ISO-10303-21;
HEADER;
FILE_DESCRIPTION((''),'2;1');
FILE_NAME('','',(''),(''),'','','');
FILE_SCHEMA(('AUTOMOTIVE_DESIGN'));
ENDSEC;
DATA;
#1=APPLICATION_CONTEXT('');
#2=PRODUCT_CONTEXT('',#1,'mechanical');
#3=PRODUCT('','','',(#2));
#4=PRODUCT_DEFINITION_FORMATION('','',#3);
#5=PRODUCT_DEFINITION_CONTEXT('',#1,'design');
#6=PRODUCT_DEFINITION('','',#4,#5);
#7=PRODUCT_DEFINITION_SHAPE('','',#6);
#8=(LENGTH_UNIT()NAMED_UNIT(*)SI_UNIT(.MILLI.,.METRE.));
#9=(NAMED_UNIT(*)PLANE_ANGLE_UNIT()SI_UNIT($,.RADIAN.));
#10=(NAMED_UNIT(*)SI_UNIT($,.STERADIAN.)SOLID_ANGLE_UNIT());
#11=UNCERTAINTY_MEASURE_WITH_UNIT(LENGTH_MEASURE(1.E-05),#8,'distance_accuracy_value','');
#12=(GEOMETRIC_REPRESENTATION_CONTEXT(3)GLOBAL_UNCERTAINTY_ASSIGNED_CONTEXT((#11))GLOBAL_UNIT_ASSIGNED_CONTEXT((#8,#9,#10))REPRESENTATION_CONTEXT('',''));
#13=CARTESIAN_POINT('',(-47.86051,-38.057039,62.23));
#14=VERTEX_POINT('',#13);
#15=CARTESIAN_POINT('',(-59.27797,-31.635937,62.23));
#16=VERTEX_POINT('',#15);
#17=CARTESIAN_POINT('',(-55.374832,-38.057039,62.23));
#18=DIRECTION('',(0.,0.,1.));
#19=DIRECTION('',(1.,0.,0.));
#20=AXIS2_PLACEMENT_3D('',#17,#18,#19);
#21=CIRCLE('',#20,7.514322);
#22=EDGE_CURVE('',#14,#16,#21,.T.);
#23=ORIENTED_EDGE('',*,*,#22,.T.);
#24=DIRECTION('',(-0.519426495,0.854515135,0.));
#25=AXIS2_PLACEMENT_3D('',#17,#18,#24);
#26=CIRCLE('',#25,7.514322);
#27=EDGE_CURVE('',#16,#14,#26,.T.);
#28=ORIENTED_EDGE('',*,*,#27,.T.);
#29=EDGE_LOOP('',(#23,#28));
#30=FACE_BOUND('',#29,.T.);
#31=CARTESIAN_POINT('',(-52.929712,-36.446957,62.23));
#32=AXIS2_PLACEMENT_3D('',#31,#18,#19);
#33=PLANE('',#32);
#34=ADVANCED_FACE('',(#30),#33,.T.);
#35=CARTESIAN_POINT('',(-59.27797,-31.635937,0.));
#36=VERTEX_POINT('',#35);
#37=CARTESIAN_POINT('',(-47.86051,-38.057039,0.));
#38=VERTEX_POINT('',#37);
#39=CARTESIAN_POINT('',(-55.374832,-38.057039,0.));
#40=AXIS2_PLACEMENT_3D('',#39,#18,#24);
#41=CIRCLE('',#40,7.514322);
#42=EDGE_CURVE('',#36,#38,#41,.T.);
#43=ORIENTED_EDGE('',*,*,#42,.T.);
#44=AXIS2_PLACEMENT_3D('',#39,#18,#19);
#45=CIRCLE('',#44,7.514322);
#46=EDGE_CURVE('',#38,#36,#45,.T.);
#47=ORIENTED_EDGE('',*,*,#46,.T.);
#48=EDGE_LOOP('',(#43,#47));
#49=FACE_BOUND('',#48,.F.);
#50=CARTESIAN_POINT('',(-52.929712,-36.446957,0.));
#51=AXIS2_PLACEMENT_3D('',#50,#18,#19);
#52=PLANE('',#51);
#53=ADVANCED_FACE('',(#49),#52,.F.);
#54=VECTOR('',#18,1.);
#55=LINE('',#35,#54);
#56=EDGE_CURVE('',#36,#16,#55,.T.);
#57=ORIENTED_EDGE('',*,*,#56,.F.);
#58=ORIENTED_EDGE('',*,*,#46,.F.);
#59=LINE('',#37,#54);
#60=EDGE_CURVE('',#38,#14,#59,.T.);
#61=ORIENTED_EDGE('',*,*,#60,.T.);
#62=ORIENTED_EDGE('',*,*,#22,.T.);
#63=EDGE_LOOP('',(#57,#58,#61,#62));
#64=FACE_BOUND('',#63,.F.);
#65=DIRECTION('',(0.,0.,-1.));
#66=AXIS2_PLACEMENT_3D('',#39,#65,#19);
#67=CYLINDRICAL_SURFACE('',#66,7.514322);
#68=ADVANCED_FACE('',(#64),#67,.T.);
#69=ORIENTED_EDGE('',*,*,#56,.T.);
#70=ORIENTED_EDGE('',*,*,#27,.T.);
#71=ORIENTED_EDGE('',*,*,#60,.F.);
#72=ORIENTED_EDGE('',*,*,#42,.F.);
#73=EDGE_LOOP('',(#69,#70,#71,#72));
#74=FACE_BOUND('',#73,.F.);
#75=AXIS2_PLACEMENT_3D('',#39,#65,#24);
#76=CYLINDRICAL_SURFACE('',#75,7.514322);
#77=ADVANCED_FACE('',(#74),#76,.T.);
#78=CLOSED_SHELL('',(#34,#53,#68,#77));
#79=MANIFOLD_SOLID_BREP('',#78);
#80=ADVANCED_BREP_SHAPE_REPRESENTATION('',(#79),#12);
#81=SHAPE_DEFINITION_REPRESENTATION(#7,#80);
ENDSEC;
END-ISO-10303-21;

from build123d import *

# Parameters (mm, degrees)
F1_DEPTH = 62.23


with BuildPart() as f1:
    # F0 (on Top) → F1 (new body)
    with BuildSketch(Plane.XY):
        with BuildLine():
            ThreePointArc((-47.8605099723, -38.0570393001), (-51.6913825994, -31.5074410597), (-59.2779701667, -31.63593728))
            ThreePointArc((-59.2779701667, -31.63593728), (-55.3748321386, -38.0570393001), (-50.7791265282, -44.0021656706))
            ThreePointArc((-50.7791265282, -44.0021656706), (-48.6295133857, -41.3684910271), (-47.8605099723, -38.0570393001))
        make_face()
        with BuildLine():
            ThreePointArc((-50.7791265282, -44.0021656706), (-55.3748321386, -38.0570393001), (-59.2779701667, -31.63593728))
            ThreePointArc((-59.2779701667, -31.63593728), (-61.5676355116, -42.3131201268), (-50.7791265282, -44.0021656706))
        make_face()
    extrude(amount=F1_DEPTH)


solid = f1.part
